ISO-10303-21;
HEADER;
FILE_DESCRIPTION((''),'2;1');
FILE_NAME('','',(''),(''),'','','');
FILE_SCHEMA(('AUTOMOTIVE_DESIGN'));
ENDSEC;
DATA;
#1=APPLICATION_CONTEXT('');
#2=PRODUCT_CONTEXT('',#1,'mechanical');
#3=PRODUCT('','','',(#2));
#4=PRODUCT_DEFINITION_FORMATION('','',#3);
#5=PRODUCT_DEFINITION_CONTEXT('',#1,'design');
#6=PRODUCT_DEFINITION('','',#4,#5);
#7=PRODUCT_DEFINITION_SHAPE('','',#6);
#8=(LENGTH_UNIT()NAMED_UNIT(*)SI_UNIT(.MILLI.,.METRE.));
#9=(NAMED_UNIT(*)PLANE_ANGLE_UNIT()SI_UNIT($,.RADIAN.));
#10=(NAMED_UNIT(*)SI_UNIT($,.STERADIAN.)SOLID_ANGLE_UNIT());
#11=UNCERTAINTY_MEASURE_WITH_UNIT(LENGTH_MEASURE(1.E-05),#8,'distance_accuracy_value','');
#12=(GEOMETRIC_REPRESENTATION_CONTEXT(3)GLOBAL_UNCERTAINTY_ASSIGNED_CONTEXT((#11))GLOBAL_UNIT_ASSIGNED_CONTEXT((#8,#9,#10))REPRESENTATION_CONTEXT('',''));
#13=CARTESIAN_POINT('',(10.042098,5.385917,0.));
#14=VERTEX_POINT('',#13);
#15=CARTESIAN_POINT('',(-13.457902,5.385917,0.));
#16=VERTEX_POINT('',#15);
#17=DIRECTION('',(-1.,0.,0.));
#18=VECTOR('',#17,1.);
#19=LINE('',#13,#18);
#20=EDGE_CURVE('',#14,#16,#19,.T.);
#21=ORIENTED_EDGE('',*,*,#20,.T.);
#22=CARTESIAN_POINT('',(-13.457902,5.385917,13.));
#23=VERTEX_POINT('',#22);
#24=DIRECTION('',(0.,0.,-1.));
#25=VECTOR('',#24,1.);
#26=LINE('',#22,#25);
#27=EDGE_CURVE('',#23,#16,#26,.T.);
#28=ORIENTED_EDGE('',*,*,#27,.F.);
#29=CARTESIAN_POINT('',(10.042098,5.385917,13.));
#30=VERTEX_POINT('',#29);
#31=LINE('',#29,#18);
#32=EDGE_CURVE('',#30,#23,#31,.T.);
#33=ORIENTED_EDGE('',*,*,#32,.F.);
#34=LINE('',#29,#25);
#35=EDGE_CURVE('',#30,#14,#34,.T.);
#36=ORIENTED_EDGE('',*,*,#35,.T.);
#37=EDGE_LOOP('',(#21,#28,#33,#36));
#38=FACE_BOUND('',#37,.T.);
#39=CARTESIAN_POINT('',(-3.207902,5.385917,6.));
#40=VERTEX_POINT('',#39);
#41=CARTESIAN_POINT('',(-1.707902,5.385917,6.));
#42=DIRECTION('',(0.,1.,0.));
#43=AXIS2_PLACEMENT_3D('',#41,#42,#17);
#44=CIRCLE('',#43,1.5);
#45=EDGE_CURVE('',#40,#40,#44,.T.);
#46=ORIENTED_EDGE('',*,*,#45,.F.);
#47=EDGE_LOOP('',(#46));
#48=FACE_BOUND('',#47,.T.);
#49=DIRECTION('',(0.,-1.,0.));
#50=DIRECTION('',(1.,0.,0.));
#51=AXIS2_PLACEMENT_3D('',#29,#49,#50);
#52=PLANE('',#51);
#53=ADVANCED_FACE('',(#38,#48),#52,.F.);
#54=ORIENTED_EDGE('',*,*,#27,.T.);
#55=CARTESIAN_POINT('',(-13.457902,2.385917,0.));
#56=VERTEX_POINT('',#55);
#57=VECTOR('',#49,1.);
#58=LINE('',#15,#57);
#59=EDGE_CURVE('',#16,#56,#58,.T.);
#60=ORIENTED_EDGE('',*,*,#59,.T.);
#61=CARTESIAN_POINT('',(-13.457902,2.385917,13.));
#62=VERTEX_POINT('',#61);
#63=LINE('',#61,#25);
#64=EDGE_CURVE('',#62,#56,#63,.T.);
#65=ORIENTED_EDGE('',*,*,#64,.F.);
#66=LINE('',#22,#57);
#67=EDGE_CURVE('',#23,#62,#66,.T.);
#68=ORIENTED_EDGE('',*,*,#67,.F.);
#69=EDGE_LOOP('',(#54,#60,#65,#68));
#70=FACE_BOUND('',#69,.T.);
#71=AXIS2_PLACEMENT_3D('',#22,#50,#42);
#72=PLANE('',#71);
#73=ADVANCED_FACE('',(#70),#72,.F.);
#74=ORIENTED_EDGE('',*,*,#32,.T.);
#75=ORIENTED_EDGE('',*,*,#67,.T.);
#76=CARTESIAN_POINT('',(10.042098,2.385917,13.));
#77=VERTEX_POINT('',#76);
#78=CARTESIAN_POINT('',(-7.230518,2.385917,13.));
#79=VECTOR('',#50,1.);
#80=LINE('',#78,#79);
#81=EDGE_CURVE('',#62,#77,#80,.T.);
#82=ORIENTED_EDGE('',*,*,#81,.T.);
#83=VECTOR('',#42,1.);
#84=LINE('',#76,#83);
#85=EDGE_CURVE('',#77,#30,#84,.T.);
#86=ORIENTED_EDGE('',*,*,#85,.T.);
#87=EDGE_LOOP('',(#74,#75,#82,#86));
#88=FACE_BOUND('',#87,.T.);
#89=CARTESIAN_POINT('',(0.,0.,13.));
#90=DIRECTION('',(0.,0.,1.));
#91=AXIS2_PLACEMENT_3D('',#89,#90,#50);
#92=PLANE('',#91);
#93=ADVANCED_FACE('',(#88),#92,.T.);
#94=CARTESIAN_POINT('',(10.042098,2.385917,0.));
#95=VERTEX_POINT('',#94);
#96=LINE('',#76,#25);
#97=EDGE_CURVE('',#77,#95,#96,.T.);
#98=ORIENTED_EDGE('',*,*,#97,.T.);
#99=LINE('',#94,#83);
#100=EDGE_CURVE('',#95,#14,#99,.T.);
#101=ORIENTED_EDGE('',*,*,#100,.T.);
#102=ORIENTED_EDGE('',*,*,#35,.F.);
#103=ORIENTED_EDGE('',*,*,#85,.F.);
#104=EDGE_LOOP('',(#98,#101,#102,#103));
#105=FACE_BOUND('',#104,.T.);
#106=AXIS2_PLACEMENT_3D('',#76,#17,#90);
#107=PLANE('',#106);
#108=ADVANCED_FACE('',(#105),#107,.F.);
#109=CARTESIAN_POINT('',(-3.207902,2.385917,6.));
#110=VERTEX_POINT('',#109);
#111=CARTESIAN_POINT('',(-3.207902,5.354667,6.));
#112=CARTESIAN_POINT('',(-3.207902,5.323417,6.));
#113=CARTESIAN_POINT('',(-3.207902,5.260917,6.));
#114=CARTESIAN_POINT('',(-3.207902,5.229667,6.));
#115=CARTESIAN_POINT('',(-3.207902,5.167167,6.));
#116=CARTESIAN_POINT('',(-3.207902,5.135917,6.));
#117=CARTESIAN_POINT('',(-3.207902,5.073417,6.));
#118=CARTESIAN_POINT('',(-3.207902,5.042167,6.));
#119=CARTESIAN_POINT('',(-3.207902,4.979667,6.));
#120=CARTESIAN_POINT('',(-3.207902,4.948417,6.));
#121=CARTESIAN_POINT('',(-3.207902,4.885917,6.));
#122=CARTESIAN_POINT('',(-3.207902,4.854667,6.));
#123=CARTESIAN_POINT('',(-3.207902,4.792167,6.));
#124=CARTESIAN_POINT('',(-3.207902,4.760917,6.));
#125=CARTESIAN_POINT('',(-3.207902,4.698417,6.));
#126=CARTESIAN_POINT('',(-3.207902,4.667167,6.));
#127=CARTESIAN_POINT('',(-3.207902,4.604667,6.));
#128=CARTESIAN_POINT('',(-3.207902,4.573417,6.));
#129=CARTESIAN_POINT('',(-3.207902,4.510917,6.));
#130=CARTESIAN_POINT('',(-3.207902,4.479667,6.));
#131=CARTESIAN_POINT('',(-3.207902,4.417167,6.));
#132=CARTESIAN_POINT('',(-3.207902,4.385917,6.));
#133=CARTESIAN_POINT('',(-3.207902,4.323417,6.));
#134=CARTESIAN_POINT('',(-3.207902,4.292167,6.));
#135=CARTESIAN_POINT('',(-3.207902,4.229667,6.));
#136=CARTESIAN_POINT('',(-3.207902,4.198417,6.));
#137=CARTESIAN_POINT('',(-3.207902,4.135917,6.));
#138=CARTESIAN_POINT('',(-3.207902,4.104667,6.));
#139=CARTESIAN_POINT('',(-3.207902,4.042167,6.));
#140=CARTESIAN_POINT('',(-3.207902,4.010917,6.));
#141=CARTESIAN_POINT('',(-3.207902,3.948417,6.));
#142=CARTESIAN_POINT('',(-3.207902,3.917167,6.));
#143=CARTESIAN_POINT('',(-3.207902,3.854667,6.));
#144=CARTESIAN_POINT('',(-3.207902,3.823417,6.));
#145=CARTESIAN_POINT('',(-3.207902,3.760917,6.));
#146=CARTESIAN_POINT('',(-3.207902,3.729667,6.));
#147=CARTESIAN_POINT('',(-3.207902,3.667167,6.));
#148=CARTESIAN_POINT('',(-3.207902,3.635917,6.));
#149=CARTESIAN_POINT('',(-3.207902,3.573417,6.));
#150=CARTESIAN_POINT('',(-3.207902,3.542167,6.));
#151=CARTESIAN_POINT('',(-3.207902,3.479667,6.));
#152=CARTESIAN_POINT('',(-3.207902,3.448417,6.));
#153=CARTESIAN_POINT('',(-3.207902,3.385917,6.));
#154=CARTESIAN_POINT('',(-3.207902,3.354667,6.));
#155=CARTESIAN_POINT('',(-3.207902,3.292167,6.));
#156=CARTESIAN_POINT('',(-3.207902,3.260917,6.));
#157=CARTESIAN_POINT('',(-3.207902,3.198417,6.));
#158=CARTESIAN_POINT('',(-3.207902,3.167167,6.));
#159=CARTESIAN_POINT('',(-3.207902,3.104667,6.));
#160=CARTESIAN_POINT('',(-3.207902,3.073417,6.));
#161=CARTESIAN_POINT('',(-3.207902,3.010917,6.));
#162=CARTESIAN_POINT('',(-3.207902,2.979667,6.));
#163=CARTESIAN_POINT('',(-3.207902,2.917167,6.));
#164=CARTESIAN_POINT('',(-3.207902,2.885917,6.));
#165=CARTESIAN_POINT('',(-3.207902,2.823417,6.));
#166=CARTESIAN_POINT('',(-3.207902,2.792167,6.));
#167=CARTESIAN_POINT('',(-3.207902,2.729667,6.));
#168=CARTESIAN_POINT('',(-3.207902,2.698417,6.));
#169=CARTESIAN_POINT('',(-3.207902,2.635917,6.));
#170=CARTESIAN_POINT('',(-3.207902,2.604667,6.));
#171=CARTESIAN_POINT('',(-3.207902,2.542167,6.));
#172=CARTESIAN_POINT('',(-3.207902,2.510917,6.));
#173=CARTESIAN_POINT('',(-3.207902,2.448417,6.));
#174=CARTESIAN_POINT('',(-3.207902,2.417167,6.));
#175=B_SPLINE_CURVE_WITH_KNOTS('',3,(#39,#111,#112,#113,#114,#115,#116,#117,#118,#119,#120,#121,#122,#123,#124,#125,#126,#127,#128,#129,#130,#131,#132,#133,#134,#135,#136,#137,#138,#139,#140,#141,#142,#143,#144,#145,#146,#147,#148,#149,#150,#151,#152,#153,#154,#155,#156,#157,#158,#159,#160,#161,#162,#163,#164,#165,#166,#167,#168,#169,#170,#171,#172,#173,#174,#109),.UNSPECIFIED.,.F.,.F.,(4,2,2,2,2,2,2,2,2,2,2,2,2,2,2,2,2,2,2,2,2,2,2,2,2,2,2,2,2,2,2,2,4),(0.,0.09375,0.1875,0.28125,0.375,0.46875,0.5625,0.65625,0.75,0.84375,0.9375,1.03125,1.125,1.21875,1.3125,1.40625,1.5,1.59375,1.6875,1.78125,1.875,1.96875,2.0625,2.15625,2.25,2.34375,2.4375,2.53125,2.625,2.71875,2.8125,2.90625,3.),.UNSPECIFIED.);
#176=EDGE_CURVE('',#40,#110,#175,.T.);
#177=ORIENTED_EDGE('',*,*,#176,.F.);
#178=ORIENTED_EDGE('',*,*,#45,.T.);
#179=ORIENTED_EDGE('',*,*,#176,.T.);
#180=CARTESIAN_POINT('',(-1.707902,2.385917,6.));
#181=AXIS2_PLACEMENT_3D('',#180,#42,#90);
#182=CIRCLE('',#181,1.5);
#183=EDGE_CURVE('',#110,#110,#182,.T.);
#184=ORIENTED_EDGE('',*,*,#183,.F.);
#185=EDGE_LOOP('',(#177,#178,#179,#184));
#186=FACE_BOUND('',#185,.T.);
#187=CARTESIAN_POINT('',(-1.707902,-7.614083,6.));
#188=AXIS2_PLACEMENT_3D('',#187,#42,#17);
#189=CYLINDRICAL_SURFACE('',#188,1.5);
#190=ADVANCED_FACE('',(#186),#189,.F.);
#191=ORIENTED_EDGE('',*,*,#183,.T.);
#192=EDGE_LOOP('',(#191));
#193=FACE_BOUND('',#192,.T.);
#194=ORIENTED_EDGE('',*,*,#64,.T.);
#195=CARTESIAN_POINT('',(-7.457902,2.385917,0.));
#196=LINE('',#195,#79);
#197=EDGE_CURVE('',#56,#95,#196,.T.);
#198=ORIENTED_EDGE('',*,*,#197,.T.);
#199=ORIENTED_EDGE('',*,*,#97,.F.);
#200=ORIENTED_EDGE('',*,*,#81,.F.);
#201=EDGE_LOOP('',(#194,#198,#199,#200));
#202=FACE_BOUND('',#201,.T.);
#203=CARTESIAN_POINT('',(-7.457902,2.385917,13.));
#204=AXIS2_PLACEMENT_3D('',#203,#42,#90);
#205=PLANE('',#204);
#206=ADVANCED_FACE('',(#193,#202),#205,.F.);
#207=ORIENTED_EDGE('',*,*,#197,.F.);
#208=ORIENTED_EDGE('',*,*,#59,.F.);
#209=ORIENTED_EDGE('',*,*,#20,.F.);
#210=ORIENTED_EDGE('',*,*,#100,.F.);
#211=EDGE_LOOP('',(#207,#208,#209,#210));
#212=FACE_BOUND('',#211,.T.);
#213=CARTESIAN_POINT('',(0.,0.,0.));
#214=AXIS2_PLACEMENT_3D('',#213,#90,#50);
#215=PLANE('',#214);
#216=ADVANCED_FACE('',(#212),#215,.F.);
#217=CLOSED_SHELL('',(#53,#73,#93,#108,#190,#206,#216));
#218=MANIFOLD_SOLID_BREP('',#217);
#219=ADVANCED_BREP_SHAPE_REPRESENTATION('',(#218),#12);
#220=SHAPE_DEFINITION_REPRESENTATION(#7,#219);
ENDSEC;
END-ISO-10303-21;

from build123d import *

# Parameters (mm, degrees)
RESSALTO_EXTRUS_O2_DEPTH = 13
ESBO_O3_R                = 1.5
CORTE_EXTRUS_O2_DEPTH    = 13


with BuildPart() as part:
    # Esboço1 → Ressalto-extrusão2 (new body)
    with BuildSketch(Plane.XY):
        Polygon((-7.457901998, 2.385917031), (-7.230517524, 2.385917031), (4.042098002, 2.385917031), (10.042098002, 2.385917031), (10.042098002, 5.385917031), (-13.457901998, 5.385917031), (-13.457901998, 2.385917031), align=None)
    extrude(amount=RESSALTO_EXTRUS_O2_DEPTH)

    # Esboço3 → Corte-extrusão2 (cut)
    with BuildSketch(Plane(origin=(0, 5.385917031, 0), x_dir=(1, 0, 0), z_dir=(0, 1, 0))):
        with Locations(Location((-1.707901998, -6, 0), (0, 0, 180))):
            Circle(ESBO_O3_R)
    extrude(amount=-CORTE_EXTRUS_O2_DEPTH, mode=Mode.SUBTRACT)


solid = part.part
